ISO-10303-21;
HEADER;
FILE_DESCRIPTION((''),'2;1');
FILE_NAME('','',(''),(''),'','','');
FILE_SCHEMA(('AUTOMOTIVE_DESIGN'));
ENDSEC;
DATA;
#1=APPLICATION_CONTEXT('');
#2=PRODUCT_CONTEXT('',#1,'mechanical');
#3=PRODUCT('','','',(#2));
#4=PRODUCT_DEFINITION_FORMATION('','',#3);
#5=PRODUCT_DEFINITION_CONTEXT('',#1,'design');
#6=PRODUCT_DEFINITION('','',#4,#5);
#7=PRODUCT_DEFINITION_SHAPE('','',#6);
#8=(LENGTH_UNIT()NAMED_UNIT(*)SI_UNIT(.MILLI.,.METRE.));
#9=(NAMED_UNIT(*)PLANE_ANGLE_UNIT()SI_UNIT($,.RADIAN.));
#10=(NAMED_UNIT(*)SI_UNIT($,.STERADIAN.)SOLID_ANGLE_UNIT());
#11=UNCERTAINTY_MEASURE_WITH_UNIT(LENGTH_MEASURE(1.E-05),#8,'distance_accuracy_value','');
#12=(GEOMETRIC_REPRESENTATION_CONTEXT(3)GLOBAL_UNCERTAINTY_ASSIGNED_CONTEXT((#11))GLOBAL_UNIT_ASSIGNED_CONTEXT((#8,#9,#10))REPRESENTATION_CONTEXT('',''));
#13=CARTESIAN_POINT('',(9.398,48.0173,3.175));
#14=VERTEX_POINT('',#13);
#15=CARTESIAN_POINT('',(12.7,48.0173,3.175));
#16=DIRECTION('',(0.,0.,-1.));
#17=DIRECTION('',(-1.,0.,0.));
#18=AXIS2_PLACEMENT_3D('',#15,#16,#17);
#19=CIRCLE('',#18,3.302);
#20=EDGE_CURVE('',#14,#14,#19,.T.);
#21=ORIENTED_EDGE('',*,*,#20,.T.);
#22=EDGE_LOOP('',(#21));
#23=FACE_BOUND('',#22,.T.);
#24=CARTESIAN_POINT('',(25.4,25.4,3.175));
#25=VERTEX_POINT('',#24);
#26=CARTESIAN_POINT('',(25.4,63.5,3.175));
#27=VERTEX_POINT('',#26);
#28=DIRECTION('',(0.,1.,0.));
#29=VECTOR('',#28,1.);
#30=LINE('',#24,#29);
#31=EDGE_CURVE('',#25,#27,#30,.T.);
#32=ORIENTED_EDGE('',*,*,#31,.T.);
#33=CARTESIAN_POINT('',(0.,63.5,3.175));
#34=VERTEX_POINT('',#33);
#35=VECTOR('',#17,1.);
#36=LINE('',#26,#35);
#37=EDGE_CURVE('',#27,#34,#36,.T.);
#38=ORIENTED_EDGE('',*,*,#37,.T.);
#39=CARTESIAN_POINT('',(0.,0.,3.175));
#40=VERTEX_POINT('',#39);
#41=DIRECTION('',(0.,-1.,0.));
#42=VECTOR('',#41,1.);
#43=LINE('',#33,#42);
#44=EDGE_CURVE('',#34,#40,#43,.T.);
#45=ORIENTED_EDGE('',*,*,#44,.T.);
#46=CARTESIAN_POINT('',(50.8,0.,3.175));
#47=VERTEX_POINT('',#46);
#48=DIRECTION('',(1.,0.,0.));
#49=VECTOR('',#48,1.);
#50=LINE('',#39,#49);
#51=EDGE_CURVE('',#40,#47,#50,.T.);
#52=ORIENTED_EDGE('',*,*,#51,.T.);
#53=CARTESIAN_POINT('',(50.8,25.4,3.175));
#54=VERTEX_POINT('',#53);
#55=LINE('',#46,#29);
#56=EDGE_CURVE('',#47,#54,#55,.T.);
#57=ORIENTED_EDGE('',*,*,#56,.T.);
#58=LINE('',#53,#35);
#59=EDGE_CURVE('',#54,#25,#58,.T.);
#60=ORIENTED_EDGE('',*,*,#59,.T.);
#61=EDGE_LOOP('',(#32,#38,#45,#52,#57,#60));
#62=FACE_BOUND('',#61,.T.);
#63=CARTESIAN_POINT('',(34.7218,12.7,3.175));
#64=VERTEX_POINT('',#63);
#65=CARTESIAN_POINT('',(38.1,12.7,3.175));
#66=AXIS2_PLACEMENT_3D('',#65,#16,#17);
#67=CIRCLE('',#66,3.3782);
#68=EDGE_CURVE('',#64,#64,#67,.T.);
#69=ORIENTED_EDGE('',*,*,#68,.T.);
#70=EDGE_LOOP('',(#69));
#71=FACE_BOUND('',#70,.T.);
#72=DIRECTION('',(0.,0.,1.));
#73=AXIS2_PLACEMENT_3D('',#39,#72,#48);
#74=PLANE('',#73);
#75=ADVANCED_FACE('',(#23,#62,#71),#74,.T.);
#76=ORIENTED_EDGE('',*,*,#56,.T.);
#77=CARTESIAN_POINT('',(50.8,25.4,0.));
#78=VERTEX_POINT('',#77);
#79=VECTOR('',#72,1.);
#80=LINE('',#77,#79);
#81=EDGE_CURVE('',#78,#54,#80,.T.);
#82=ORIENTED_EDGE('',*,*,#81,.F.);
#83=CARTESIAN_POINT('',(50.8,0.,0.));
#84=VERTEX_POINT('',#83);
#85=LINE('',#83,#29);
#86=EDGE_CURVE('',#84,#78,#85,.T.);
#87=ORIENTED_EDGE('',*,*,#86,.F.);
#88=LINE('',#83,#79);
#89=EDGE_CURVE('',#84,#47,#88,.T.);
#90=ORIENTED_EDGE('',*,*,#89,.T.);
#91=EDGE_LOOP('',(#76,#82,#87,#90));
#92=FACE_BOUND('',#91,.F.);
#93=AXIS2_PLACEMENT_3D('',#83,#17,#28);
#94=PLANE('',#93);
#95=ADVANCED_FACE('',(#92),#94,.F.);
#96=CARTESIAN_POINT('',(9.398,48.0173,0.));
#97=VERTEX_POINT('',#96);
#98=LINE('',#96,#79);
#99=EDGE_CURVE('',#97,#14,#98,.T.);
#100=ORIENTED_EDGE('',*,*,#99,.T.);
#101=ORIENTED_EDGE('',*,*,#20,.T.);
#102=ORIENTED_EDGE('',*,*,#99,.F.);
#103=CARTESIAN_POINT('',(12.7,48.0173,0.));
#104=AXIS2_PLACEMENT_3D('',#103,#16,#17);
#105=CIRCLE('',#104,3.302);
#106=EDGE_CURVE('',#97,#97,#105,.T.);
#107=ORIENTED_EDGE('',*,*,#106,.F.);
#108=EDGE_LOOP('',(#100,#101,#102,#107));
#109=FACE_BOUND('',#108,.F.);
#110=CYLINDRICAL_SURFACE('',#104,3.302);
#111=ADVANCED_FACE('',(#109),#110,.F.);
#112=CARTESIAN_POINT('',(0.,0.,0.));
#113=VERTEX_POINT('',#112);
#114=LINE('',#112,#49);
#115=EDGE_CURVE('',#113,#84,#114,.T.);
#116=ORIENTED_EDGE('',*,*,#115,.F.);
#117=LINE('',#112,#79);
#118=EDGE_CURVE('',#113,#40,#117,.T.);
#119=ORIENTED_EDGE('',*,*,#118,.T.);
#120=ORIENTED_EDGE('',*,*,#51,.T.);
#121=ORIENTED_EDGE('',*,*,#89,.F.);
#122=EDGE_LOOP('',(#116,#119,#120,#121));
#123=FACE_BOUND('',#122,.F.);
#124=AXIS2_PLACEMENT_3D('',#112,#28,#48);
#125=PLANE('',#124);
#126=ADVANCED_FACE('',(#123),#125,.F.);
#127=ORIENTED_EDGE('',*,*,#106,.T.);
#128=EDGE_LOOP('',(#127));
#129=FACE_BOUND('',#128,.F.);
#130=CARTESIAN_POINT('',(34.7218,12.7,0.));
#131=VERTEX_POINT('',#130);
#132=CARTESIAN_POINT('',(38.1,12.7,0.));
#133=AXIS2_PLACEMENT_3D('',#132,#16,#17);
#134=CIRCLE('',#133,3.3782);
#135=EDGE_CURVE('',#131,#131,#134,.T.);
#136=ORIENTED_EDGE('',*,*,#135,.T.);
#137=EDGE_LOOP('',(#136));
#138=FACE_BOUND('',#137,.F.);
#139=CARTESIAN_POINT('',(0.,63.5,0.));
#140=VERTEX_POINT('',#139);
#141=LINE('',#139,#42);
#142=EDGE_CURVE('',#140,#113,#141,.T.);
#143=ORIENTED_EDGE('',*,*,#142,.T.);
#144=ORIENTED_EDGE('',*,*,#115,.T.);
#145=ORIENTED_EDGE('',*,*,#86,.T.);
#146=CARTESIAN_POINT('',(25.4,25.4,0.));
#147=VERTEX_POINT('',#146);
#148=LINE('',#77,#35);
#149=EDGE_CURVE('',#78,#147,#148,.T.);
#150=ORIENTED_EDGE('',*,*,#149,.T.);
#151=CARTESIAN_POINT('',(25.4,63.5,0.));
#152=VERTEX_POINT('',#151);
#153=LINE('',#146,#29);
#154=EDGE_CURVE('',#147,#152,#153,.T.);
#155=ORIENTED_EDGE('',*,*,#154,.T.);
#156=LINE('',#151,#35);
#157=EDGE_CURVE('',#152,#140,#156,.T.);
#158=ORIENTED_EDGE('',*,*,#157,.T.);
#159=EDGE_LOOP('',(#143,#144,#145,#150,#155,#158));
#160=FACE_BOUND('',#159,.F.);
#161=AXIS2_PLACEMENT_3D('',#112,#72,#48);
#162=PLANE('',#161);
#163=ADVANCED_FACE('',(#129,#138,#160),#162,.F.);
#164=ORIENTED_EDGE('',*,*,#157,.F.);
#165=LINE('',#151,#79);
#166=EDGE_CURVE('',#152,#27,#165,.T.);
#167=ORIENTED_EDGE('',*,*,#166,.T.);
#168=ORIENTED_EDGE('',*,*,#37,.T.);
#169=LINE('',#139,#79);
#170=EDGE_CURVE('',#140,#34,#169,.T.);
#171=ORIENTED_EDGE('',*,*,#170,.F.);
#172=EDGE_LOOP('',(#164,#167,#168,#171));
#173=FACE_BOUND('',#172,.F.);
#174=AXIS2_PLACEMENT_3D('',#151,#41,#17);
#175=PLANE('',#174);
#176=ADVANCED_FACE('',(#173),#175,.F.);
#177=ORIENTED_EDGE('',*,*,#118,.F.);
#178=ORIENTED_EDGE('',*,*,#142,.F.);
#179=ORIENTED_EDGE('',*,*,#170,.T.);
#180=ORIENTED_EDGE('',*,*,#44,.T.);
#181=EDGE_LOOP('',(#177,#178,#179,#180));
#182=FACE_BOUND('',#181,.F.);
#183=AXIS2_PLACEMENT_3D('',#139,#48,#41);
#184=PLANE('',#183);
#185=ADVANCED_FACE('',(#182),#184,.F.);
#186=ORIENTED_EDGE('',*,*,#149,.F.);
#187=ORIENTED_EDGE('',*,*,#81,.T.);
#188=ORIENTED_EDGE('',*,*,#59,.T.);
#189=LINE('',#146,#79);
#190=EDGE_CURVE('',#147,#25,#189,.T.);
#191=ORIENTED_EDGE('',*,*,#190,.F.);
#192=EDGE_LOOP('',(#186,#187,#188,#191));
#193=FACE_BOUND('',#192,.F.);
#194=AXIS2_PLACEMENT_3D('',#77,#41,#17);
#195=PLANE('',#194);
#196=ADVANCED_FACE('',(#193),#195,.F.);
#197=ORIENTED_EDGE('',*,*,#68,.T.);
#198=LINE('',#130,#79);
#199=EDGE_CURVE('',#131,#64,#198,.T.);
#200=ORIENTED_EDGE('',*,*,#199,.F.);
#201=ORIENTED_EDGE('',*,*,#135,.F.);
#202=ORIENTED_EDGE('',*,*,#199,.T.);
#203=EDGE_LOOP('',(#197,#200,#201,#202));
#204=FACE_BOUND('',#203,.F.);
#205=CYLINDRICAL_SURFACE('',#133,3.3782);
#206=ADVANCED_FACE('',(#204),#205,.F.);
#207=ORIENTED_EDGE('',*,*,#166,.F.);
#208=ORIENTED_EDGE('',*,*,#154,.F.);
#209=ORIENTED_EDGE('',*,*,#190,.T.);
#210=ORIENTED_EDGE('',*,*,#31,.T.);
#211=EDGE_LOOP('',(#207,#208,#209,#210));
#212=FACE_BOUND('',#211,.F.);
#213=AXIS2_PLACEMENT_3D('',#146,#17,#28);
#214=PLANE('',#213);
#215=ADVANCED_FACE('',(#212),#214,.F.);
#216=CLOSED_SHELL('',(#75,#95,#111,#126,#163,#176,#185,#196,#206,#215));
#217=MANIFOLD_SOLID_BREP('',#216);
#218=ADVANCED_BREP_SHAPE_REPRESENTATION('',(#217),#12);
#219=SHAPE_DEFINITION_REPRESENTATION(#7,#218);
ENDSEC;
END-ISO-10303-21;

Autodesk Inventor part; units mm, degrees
ref_plane "YZ Plane" through (0, 0, 0) normal (1, 0, 0) x (0, 1, 0)
ref_plane "XZ Plane" through (0, 0, 0) normal (0, 1, 0) x (-1, 0, 0)
ref_plane "XY Plane" through (0, 0, 0) normal (0, 0, 1) x (1, 0, 0)
sketch "Sketch1" plane through (0, 0, 0) normal (0, 0, 1) x (1, 0, 0)
  line L0 (0, 0) -> (50.8, 0)
  line L1 (50.8, 0) -> (50.8, 25.4)
  line L2 (50.8, 25.4) -> (25.4, 25.4)
  line L3 (25.4, 25.4) -> (25.4, 63.5)
  line L4 (25.4, 63.5) -> (0, 63.5)
  line L5 (0, 63.5) -> (0, 0)
  dimension "d0" = 50.8
  dimension "d2" = 25.4
  dimension "d3" = 25.4
  dimension "d4" = 38.1
extrude "Extrusion1" add sketch "Sketch1" along normal blind 3.175
sketch "Sketch2" plane through (0, 0, 0) normal (0, 0, -1) x (-1, 0, 0)
  circle A0 centre (-38.1, 12.7) radius 3.3782 projected
  circle A1 centre (-12.7, 48.0173) radius 3.302 projected
  circle A2 centre (4.1663, 34.7761) radius 4.4593 projected
sketch "Sketch3" plane through (0, 0, 0) normal (0, 0, -1) x (-1, 0, 0)
  line L0 (0, 0) -> (-50.8, 0) projected
  line L1 (0, 63.5) -> (0, 0) projected
  line L2 (-25.4, 63.5) -> (0, 63.5) projected
  line L3 (-25.4, 25.4) -> (-25.4, 63.5) projected
  line L4 (-50.8, 25.4) -> (-25.4, 25.4) projected
  line L5 (-50.8, 0) -> (-50.8, 25.4) projected
  circle A0 centre (-38.1, 12.7) radius 3.3782 projected
  line L6 (-22.225, 38.6193) -> (-22.225, 32.0153) projected
  circle A1 centre (-38.1, 12.7) radius 3.3782 projected
extrude "Extrusion2" cut sketch "Sketch2" against normal blind 25.4 contours A0 | A1
properties part number "ninja"
